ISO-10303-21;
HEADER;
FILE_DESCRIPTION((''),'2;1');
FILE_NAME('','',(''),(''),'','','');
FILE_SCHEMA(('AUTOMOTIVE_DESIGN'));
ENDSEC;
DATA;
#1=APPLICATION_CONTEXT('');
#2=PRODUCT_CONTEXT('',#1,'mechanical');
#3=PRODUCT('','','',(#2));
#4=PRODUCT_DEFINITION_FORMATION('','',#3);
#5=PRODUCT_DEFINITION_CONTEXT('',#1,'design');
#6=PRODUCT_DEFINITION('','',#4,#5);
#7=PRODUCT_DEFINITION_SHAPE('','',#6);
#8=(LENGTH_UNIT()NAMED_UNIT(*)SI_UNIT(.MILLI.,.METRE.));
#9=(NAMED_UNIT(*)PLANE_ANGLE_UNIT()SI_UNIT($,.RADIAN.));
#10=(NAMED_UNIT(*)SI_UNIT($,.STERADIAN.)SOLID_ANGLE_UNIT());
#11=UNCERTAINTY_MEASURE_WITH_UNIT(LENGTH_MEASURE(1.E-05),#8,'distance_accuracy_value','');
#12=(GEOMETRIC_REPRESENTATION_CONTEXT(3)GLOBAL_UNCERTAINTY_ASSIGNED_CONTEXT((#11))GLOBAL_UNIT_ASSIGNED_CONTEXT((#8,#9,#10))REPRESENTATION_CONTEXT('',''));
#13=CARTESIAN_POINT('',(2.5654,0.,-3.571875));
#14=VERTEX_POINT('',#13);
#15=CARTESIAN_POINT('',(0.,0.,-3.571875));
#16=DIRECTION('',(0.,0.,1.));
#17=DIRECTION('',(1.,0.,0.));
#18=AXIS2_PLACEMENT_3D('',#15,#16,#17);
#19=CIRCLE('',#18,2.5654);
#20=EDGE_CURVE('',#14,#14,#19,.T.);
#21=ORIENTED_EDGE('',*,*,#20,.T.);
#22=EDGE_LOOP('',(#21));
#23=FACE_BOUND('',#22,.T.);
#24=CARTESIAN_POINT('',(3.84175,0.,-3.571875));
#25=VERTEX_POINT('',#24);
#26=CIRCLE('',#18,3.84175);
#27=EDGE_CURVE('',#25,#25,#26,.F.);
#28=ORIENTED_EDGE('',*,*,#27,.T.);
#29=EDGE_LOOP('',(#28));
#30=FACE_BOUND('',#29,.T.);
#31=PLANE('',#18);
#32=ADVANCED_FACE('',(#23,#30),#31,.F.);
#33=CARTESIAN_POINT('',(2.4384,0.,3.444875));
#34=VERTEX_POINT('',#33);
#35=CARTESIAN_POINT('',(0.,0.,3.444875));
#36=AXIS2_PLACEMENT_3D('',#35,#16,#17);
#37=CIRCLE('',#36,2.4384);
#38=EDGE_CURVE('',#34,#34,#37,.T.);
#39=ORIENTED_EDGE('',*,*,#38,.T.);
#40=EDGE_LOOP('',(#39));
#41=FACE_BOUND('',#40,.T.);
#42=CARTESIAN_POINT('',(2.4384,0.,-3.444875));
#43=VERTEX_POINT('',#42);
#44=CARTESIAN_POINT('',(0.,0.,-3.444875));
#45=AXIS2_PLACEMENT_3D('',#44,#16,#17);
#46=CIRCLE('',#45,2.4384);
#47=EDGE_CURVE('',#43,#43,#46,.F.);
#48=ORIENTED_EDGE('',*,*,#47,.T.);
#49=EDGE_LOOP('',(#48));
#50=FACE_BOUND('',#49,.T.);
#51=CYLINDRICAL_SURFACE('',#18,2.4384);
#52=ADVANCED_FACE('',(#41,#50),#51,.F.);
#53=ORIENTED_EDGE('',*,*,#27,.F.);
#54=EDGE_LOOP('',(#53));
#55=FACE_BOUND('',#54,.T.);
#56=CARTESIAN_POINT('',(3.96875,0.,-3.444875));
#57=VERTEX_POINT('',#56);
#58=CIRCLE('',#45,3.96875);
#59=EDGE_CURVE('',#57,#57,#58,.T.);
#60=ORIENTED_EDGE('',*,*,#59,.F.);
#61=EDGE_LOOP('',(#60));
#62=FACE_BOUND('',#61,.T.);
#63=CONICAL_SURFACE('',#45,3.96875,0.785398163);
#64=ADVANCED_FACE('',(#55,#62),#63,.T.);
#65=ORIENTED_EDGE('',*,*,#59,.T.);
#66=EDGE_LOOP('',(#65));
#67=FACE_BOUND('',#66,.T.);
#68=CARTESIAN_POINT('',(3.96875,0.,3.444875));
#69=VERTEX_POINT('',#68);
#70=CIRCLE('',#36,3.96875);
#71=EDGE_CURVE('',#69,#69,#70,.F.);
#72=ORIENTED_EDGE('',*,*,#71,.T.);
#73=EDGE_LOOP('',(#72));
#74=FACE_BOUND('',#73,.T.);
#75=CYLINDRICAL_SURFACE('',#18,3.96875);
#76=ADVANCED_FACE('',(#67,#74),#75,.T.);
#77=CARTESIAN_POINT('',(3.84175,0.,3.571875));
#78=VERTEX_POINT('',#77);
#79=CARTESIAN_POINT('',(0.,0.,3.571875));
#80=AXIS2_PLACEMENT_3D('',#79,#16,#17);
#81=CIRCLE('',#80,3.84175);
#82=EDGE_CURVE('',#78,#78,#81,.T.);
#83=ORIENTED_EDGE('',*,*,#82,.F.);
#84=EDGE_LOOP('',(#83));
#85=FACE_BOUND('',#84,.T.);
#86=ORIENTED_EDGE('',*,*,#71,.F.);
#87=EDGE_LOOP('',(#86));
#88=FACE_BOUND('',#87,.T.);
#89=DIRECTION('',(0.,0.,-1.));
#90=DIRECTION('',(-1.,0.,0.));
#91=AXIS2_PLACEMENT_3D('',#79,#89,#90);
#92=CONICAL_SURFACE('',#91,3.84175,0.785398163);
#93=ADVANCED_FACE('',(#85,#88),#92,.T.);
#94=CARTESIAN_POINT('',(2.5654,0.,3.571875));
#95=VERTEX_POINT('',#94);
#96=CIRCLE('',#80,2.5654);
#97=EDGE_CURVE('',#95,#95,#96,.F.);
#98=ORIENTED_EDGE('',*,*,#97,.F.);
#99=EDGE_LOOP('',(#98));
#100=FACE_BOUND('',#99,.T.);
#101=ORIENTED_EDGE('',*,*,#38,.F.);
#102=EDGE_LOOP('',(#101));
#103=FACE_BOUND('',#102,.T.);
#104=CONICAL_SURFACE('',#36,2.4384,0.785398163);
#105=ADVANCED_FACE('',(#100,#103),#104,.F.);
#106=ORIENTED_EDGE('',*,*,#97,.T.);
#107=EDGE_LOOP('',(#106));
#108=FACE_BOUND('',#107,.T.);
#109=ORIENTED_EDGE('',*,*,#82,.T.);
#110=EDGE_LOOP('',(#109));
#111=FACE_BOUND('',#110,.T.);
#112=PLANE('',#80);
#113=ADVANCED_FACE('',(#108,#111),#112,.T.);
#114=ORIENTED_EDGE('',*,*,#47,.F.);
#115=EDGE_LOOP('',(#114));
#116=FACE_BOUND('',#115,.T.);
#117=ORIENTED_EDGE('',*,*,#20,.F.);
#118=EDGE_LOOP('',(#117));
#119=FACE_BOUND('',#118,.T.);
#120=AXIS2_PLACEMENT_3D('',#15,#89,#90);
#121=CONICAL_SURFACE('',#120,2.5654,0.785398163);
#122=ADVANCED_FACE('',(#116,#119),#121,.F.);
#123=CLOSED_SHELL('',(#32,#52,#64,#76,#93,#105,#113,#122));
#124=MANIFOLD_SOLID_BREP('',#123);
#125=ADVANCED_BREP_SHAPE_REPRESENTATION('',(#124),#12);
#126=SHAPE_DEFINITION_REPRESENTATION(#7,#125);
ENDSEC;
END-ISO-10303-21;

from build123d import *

# Parameters (mm, degrees)
SKETCH3_R                = 3.96875
SKETCH3_R_2              = 2.4384
BOSS_EXTRUDE1_DEPTH      = 3.571875
BOSS_EXTRUDE1_DEPTH_BACK = 3.571875
CHAMFER1_SIZE            = 0.127


with BuildPart() as part:
    # Sketch3 → Boss-Extrude1 (new body, two sides)
    with BuildSketch(Plane.XY) as boss_extrude1_sk:
        Circle(SKETCH3_R)
        Circle(SKETCH3_R_2, mode=Mode.SUBTRACT)
    extrude(amount=BOSS_EXTRUDE1_DEPTH)
    extrude(boss_extrude1_sk.sketch, amount=-BOSS_EXTRUDE1_DEPTH_BACK)

    # Chamfer1
    chamfer1_edges = [part.edges().sort_by_distance(p)[0] for p in [
        (-3.96875, 0, -3.571875),
        (-2.4384, 0, -3.571875),
        (-3.96875, 0, 3.571875),
        (-2.4384, 0, 3.571875),
    ]]
    chamfer(chamfer1_edges, length=CHAMFER1_SIZE)


solid = part.part
